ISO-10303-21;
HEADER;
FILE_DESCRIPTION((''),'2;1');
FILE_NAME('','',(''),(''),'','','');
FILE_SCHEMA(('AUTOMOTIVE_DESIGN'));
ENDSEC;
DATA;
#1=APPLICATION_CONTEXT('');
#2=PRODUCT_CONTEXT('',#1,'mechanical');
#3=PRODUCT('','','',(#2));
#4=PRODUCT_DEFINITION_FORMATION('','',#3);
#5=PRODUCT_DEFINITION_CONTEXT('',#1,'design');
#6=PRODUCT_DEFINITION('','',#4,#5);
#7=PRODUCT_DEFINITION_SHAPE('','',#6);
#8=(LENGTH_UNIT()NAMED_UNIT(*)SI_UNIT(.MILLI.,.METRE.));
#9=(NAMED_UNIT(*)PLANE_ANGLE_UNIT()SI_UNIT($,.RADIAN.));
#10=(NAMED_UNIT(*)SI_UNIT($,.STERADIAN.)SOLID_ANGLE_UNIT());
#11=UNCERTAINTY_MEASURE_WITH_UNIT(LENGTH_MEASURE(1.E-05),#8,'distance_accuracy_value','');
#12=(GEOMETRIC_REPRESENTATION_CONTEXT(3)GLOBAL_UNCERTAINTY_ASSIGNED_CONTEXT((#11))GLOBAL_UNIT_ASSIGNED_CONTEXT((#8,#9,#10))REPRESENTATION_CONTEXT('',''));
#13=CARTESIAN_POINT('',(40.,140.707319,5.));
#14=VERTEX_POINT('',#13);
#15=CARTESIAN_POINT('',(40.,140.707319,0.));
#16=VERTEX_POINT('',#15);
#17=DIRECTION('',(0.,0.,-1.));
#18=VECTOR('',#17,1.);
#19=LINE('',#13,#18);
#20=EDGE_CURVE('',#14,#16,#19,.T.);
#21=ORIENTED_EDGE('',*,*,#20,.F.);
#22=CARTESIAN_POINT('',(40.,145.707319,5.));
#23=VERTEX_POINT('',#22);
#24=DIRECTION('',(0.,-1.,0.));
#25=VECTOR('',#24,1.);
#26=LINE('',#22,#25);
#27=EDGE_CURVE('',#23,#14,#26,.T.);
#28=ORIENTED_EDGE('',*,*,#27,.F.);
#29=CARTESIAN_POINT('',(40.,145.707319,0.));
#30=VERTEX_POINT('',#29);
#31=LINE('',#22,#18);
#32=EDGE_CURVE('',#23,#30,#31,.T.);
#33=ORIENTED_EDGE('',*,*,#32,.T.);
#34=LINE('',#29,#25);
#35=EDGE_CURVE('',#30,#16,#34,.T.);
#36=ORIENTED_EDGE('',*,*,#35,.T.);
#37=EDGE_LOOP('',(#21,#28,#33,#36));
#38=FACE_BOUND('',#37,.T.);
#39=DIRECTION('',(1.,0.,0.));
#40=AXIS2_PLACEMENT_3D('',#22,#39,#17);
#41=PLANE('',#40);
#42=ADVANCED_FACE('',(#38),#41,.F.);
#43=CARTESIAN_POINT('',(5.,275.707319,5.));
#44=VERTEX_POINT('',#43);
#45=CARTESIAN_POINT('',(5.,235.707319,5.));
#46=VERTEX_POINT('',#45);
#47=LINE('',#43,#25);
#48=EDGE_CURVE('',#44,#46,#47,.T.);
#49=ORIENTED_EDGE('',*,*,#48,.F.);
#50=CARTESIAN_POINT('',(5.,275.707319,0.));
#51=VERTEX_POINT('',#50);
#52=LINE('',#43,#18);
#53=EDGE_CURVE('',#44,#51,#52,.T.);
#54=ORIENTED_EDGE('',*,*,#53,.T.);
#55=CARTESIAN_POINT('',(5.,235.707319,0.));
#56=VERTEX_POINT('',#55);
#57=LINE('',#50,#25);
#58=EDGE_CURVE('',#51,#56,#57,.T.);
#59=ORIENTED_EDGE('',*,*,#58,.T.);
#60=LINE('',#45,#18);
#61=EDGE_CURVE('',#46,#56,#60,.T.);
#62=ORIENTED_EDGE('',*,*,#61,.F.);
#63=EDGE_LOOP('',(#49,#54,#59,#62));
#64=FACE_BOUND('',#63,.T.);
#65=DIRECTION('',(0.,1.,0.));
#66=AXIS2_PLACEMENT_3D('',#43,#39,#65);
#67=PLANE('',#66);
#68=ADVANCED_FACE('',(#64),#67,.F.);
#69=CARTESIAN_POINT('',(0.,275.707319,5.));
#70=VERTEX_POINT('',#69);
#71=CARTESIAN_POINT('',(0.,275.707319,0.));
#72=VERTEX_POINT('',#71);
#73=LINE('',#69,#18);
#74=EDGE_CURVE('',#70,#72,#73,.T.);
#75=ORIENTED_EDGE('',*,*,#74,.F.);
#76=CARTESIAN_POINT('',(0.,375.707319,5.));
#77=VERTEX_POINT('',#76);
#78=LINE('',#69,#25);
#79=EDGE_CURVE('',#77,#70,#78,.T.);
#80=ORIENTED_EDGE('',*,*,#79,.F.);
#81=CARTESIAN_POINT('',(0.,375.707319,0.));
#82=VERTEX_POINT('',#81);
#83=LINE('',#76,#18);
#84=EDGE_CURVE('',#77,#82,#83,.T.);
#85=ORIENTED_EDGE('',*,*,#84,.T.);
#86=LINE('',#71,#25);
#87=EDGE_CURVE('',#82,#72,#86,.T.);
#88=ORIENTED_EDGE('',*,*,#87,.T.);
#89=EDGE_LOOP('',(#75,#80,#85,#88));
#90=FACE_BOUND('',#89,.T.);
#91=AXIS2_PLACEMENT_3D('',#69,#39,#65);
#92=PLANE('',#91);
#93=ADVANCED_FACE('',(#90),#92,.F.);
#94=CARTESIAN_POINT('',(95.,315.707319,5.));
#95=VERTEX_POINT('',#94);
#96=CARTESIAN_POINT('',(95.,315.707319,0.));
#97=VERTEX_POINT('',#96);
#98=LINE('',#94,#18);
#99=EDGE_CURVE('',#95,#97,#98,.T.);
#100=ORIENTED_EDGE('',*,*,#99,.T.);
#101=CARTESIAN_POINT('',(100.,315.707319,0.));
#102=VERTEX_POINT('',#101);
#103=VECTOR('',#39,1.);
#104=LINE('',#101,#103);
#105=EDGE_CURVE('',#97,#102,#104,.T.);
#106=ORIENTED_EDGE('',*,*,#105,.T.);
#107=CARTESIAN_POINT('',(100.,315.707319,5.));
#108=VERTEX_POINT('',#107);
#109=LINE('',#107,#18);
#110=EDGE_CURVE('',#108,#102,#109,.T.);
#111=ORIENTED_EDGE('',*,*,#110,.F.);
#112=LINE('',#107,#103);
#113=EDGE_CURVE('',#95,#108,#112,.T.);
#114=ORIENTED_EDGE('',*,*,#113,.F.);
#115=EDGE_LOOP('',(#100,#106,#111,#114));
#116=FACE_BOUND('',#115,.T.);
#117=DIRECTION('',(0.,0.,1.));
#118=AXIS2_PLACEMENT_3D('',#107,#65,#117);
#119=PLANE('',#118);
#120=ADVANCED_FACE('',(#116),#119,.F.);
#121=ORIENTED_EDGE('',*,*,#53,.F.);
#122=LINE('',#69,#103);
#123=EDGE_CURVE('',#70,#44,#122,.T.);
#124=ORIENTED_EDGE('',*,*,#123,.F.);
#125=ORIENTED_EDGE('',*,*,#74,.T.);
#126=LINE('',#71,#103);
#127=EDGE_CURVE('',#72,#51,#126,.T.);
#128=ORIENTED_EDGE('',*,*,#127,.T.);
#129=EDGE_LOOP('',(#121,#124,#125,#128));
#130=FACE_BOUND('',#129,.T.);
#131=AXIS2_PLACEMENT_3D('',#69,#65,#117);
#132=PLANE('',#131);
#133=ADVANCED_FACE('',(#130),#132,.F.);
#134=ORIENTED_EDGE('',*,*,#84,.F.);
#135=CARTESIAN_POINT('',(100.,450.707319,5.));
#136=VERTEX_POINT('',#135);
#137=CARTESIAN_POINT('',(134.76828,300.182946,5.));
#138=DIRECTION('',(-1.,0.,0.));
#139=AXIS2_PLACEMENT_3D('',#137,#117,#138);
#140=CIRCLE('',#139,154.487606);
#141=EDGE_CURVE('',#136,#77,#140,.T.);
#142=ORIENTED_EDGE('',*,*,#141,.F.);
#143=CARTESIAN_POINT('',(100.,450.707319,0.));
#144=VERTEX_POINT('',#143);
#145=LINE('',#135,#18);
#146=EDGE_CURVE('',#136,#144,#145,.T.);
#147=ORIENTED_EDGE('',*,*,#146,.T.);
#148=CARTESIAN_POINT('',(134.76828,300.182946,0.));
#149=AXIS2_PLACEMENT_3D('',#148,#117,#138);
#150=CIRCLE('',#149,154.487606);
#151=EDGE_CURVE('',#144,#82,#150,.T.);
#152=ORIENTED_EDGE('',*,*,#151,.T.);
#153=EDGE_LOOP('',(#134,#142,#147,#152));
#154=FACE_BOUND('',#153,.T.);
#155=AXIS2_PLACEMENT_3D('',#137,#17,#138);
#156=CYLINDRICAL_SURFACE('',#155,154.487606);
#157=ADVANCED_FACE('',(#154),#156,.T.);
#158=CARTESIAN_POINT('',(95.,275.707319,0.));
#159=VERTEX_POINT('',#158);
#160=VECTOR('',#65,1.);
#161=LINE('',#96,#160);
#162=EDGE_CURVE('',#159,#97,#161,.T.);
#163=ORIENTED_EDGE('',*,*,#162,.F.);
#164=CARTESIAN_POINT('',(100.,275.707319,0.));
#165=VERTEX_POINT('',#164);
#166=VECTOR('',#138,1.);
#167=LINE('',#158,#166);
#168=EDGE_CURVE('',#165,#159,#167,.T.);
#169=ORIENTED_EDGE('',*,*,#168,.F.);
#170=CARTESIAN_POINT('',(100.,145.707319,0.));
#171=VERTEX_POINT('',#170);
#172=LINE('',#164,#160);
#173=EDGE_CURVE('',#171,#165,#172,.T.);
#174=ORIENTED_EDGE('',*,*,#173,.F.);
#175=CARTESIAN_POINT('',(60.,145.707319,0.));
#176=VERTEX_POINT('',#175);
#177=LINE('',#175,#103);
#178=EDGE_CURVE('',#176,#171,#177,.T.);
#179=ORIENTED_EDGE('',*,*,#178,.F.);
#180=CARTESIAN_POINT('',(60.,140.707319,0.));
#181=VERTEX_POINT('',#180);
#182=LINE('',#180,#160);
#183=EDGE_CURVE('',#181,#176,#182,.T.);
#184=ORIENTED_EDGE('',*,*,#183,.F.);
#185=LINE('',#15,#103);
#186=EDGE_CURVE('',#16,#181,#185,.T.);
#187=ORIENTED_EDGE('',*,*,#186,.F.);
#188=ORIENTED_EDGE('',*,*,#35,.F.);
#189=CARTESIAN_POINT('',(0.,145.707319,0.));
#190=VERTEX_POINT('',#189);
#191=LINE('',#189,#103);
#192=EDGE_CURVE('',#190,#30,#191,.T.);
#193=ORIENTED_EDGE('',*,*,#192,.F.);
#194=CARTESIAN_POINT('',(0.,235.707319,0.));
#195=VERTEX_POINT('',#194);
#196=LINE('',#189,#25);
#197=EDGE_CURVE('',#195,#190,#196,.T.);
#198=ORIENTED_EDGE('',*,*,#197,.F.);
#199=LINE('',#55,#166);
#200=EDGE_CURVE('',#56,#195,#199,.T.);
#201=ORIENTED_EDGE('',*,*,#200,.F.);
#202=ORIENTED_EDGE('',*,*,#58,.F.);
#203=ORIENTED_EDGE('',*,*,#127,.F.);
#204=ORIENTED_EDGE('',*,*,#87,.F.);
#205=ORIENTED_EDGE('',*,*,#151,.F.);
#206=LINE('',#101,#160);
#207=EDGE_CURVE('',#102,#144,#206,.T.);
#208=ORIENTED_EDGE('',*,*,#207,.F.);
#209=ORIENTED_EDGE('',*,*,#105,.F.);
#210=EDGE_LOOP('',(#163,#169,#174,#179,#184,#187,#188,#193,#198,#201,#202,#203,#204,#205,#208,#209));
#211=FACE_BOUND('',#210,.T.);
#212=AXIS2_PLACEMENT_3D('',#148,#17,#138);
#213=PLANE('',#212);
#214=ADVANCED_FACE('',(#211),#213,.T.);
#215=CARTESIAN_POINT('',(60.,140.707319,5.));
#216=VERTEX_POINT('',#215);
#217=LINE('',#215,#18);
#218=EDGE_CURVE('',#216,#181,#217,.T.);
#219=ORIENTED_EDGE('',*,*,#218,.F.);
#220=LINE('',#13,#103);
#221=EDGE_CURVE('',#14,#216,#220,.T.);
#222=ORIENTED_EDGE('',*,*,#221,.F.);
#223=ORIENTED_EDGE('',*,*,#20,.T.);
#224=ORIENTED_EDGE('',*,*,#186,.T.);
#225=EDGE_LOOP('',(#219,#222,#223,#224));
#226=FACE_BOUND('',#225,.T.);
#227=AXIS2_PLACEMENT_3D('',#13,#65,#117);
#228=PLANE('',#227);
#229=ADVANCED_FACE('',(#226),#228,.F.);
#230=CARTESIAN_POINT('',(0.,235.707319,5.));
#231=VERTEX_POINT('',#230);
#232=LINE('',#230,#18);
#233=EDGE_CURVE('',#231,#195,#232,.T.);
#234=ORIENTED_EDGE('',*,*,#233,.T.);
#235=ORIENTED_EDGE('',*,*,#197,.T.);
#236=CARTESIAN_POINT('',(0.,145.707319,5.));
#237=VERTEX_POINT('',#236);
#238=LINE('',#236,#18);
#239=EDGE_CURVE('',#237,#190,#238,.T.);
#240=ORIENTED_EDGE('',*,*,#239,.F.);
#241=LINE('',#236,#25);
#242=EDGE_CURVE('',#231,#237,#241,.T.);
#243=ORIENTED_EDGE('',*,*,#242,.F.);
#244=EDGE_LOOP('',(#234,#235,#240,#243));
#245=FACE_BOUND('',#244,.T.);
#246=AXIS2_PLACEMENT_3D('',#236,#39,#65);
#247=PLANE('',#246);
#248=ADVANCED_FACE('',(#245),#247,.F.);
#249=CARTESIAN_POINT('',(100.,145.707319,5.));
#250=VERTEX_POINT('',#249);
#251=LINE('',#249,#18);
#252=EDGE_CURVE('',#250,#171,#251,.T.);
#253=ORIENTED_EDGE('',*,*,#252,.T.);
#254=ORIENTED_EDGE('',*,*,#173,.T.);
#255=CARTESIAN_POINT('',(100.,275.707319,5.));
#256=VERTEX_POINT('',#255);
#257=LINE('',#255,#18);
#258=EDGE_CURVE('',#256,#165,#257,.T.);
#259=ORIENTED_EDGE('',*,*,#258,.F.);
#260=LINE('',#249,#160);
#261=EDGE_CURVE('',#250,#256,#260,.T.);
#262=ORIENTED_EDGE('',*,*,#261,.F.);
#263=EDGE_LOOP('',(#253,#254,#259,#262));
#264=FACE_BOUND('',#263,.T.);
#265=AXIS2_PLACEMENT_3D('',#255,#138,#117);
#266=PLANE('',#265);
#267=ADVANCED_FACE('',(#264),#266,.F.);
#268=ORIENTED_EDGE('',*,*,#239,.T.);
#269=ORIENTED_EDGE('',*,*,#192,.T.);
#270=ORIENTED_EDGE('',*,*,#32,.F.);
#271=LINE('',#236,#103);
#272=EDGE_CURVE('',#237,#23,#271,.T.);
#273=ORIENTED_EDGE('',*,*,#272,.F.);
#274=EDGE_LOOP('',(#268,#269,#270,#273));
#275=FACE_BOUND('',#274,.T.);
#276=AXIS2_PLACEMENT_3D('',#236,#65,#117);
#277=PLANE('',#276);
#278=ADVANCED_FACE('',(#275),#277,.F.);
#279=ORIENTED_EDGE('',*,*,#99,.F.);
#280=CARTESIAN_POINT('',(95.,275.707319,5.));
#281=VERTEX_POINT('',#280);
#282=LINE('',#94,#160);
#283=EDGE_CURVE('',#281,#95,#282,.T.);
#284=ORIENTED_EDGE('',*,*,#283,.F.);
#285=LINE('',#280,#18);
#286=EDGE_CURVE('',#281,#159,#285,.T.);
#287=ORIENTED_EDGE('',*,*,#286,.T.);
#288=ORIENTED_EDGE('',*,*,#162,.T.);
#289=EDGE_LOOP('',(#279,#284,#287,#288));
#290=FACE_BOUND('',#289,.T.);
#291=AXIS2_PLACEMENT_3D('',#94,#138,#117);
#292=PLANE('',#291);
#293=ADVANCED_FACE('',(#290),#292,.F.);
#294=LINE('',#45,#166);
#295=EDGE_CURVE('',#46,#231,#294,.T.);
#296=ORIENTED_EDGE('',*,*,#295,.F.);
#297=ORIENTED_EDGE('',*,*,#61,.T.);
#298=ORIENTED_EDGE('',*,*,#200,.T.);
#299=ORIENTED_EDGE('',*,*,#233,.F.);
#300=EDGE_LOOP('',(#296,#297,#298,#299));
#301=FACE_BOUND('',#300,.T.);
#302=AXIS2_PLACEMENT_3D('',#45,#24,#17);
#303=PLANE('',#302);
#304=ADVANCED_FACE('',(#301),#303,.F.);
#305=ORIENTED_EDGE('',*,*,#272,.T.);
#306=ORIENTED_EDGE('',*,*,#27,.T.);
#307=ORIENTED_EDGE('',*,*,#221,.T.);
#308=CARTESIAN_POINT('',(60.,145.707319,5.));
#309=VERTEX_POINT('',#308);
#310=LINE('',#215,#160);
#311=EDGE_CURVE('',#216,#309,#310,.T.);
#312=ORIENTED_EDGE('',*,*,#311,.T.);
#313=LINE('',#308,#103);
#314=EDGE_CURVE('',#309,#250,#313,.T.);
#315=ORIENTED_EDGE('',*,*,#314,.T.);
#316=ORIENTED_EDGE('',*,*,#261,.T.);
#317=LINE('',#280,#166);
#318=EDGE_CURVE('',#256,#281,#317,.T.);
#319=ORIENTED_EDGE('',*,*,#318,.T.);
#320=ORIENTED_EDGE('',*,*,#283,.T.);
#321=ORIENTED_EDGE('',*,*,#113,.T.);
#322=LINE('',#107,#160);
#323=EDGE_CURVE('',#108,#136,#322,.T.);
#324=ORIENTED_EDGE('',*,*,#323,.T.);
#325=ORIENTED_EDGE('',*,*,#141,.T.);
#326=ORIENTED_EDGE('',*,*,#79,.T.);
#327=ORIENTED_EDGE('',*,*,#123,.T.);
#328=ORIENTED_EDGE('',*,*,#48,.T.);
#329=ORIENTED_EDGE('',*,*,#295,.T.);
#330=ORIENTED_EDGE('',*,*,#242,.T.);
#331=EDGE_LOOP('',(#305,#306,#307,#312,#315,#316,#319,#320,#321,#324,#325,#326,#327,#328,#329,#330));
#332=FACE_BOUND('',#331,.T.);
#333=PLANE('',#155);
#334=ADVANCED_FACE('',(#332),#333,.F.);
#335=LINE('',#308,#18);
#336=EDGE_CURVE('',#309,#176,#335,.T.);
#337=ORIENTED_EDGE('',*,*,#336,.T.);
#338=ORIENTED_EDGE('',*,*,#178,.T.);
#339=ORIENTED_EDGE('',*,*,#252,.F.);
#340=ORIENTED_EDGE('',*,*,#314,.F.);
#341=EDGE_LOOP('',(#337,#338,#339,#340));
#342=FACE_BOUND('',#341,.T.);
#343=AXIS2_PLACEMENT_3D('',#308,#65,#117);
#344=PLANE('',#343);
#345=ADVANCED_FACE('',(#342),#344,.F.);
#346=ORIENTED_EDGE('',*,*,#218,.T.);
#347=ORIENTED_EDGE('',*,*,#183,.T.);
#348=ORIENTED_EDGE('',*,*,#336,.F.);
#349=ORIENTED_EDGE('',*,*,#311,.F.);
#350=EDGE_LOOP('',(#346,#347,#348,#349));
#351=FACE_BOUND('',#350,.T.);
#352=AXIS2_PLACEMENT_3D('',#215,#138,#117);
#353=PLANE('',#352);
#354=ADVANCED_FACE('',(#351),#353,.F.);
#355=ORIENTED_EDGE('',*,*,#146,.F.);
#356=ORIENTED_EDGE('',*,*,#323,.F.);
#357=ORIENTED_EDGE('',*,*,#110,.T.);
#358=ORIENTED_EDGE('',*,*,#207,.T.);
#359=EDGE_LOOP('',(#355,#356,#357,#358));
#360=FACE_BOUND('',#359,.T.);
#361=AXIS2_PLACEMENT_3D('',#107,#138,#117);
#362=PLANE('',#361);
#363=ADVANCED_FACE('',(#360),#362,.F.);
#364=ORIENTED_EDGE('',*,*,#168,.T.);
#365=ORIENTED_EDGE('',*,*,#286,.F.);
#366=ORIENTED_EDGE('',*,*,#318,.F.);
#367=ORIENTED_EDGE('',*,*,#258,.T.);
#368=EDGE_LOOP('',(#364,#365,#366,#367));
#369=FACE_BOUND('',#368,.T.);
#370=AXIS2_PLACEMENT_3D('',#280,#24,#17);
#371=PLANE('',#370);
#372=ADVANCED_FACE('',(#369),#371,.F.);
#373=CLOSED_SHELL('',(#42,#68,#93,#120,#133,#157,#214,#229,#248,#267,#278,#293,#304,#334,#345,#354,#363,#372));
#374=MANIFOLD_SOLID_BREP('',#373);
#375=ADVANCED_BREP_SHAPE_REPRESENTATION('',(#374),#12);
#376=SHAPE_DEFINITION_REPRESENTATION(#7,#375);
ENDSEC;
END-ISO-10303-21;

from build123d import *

# Parameters (mm, degrees)
BOSS_EXTRU_1_DEPTH = 5


with BuildPart() as part:
    # Esquisse1 → Boss.-Extru.1 (new body)
    with BuildSketch(Plane.XY):
        with BuildLine():
            Line((100, 145.707319285), (100, 240.707319285))
            Line((100, 240.707319285), (100, 275.707319285))
            Line((100, 275.707319285), (95, 275.707319285))
            Line((95, 275.707319285), (95, 315.707319285))
            Line((95, 315.707319285), (100, 315.707319285))
            Line((100, 315.707319285), (100, 450.707319285))
            ThreePointArc((100, 450.707319285), (42.075716698, 423.773030355), (0, 375.707319285))
            Line((0, 375.707319285), (0, 275.707319285))
            Line((0, 275.707319285), (5, 275.707319285))
            Line((5, 275.707319285), (5, 235.707319285))
            Line((5, 235.707319285), (0, 235.707319285))
            Line((0, 235.707319285), (0, 145.707319285))
            Line((0, 145.707319285), (40, 145.707319285))
            Line((40, 145.707319285), (40, 140.707319285))
            Line((40, 140.707319285), (60, 140.707319285))
            Line((60, 140.707319285), (60, 145.707319285))
            Line((60, 145.707319285), (100, 145.707319285))
        make_face()
    extrude(amount=BOSS_EXTRU_1_DEPTH)


solid = part.part
